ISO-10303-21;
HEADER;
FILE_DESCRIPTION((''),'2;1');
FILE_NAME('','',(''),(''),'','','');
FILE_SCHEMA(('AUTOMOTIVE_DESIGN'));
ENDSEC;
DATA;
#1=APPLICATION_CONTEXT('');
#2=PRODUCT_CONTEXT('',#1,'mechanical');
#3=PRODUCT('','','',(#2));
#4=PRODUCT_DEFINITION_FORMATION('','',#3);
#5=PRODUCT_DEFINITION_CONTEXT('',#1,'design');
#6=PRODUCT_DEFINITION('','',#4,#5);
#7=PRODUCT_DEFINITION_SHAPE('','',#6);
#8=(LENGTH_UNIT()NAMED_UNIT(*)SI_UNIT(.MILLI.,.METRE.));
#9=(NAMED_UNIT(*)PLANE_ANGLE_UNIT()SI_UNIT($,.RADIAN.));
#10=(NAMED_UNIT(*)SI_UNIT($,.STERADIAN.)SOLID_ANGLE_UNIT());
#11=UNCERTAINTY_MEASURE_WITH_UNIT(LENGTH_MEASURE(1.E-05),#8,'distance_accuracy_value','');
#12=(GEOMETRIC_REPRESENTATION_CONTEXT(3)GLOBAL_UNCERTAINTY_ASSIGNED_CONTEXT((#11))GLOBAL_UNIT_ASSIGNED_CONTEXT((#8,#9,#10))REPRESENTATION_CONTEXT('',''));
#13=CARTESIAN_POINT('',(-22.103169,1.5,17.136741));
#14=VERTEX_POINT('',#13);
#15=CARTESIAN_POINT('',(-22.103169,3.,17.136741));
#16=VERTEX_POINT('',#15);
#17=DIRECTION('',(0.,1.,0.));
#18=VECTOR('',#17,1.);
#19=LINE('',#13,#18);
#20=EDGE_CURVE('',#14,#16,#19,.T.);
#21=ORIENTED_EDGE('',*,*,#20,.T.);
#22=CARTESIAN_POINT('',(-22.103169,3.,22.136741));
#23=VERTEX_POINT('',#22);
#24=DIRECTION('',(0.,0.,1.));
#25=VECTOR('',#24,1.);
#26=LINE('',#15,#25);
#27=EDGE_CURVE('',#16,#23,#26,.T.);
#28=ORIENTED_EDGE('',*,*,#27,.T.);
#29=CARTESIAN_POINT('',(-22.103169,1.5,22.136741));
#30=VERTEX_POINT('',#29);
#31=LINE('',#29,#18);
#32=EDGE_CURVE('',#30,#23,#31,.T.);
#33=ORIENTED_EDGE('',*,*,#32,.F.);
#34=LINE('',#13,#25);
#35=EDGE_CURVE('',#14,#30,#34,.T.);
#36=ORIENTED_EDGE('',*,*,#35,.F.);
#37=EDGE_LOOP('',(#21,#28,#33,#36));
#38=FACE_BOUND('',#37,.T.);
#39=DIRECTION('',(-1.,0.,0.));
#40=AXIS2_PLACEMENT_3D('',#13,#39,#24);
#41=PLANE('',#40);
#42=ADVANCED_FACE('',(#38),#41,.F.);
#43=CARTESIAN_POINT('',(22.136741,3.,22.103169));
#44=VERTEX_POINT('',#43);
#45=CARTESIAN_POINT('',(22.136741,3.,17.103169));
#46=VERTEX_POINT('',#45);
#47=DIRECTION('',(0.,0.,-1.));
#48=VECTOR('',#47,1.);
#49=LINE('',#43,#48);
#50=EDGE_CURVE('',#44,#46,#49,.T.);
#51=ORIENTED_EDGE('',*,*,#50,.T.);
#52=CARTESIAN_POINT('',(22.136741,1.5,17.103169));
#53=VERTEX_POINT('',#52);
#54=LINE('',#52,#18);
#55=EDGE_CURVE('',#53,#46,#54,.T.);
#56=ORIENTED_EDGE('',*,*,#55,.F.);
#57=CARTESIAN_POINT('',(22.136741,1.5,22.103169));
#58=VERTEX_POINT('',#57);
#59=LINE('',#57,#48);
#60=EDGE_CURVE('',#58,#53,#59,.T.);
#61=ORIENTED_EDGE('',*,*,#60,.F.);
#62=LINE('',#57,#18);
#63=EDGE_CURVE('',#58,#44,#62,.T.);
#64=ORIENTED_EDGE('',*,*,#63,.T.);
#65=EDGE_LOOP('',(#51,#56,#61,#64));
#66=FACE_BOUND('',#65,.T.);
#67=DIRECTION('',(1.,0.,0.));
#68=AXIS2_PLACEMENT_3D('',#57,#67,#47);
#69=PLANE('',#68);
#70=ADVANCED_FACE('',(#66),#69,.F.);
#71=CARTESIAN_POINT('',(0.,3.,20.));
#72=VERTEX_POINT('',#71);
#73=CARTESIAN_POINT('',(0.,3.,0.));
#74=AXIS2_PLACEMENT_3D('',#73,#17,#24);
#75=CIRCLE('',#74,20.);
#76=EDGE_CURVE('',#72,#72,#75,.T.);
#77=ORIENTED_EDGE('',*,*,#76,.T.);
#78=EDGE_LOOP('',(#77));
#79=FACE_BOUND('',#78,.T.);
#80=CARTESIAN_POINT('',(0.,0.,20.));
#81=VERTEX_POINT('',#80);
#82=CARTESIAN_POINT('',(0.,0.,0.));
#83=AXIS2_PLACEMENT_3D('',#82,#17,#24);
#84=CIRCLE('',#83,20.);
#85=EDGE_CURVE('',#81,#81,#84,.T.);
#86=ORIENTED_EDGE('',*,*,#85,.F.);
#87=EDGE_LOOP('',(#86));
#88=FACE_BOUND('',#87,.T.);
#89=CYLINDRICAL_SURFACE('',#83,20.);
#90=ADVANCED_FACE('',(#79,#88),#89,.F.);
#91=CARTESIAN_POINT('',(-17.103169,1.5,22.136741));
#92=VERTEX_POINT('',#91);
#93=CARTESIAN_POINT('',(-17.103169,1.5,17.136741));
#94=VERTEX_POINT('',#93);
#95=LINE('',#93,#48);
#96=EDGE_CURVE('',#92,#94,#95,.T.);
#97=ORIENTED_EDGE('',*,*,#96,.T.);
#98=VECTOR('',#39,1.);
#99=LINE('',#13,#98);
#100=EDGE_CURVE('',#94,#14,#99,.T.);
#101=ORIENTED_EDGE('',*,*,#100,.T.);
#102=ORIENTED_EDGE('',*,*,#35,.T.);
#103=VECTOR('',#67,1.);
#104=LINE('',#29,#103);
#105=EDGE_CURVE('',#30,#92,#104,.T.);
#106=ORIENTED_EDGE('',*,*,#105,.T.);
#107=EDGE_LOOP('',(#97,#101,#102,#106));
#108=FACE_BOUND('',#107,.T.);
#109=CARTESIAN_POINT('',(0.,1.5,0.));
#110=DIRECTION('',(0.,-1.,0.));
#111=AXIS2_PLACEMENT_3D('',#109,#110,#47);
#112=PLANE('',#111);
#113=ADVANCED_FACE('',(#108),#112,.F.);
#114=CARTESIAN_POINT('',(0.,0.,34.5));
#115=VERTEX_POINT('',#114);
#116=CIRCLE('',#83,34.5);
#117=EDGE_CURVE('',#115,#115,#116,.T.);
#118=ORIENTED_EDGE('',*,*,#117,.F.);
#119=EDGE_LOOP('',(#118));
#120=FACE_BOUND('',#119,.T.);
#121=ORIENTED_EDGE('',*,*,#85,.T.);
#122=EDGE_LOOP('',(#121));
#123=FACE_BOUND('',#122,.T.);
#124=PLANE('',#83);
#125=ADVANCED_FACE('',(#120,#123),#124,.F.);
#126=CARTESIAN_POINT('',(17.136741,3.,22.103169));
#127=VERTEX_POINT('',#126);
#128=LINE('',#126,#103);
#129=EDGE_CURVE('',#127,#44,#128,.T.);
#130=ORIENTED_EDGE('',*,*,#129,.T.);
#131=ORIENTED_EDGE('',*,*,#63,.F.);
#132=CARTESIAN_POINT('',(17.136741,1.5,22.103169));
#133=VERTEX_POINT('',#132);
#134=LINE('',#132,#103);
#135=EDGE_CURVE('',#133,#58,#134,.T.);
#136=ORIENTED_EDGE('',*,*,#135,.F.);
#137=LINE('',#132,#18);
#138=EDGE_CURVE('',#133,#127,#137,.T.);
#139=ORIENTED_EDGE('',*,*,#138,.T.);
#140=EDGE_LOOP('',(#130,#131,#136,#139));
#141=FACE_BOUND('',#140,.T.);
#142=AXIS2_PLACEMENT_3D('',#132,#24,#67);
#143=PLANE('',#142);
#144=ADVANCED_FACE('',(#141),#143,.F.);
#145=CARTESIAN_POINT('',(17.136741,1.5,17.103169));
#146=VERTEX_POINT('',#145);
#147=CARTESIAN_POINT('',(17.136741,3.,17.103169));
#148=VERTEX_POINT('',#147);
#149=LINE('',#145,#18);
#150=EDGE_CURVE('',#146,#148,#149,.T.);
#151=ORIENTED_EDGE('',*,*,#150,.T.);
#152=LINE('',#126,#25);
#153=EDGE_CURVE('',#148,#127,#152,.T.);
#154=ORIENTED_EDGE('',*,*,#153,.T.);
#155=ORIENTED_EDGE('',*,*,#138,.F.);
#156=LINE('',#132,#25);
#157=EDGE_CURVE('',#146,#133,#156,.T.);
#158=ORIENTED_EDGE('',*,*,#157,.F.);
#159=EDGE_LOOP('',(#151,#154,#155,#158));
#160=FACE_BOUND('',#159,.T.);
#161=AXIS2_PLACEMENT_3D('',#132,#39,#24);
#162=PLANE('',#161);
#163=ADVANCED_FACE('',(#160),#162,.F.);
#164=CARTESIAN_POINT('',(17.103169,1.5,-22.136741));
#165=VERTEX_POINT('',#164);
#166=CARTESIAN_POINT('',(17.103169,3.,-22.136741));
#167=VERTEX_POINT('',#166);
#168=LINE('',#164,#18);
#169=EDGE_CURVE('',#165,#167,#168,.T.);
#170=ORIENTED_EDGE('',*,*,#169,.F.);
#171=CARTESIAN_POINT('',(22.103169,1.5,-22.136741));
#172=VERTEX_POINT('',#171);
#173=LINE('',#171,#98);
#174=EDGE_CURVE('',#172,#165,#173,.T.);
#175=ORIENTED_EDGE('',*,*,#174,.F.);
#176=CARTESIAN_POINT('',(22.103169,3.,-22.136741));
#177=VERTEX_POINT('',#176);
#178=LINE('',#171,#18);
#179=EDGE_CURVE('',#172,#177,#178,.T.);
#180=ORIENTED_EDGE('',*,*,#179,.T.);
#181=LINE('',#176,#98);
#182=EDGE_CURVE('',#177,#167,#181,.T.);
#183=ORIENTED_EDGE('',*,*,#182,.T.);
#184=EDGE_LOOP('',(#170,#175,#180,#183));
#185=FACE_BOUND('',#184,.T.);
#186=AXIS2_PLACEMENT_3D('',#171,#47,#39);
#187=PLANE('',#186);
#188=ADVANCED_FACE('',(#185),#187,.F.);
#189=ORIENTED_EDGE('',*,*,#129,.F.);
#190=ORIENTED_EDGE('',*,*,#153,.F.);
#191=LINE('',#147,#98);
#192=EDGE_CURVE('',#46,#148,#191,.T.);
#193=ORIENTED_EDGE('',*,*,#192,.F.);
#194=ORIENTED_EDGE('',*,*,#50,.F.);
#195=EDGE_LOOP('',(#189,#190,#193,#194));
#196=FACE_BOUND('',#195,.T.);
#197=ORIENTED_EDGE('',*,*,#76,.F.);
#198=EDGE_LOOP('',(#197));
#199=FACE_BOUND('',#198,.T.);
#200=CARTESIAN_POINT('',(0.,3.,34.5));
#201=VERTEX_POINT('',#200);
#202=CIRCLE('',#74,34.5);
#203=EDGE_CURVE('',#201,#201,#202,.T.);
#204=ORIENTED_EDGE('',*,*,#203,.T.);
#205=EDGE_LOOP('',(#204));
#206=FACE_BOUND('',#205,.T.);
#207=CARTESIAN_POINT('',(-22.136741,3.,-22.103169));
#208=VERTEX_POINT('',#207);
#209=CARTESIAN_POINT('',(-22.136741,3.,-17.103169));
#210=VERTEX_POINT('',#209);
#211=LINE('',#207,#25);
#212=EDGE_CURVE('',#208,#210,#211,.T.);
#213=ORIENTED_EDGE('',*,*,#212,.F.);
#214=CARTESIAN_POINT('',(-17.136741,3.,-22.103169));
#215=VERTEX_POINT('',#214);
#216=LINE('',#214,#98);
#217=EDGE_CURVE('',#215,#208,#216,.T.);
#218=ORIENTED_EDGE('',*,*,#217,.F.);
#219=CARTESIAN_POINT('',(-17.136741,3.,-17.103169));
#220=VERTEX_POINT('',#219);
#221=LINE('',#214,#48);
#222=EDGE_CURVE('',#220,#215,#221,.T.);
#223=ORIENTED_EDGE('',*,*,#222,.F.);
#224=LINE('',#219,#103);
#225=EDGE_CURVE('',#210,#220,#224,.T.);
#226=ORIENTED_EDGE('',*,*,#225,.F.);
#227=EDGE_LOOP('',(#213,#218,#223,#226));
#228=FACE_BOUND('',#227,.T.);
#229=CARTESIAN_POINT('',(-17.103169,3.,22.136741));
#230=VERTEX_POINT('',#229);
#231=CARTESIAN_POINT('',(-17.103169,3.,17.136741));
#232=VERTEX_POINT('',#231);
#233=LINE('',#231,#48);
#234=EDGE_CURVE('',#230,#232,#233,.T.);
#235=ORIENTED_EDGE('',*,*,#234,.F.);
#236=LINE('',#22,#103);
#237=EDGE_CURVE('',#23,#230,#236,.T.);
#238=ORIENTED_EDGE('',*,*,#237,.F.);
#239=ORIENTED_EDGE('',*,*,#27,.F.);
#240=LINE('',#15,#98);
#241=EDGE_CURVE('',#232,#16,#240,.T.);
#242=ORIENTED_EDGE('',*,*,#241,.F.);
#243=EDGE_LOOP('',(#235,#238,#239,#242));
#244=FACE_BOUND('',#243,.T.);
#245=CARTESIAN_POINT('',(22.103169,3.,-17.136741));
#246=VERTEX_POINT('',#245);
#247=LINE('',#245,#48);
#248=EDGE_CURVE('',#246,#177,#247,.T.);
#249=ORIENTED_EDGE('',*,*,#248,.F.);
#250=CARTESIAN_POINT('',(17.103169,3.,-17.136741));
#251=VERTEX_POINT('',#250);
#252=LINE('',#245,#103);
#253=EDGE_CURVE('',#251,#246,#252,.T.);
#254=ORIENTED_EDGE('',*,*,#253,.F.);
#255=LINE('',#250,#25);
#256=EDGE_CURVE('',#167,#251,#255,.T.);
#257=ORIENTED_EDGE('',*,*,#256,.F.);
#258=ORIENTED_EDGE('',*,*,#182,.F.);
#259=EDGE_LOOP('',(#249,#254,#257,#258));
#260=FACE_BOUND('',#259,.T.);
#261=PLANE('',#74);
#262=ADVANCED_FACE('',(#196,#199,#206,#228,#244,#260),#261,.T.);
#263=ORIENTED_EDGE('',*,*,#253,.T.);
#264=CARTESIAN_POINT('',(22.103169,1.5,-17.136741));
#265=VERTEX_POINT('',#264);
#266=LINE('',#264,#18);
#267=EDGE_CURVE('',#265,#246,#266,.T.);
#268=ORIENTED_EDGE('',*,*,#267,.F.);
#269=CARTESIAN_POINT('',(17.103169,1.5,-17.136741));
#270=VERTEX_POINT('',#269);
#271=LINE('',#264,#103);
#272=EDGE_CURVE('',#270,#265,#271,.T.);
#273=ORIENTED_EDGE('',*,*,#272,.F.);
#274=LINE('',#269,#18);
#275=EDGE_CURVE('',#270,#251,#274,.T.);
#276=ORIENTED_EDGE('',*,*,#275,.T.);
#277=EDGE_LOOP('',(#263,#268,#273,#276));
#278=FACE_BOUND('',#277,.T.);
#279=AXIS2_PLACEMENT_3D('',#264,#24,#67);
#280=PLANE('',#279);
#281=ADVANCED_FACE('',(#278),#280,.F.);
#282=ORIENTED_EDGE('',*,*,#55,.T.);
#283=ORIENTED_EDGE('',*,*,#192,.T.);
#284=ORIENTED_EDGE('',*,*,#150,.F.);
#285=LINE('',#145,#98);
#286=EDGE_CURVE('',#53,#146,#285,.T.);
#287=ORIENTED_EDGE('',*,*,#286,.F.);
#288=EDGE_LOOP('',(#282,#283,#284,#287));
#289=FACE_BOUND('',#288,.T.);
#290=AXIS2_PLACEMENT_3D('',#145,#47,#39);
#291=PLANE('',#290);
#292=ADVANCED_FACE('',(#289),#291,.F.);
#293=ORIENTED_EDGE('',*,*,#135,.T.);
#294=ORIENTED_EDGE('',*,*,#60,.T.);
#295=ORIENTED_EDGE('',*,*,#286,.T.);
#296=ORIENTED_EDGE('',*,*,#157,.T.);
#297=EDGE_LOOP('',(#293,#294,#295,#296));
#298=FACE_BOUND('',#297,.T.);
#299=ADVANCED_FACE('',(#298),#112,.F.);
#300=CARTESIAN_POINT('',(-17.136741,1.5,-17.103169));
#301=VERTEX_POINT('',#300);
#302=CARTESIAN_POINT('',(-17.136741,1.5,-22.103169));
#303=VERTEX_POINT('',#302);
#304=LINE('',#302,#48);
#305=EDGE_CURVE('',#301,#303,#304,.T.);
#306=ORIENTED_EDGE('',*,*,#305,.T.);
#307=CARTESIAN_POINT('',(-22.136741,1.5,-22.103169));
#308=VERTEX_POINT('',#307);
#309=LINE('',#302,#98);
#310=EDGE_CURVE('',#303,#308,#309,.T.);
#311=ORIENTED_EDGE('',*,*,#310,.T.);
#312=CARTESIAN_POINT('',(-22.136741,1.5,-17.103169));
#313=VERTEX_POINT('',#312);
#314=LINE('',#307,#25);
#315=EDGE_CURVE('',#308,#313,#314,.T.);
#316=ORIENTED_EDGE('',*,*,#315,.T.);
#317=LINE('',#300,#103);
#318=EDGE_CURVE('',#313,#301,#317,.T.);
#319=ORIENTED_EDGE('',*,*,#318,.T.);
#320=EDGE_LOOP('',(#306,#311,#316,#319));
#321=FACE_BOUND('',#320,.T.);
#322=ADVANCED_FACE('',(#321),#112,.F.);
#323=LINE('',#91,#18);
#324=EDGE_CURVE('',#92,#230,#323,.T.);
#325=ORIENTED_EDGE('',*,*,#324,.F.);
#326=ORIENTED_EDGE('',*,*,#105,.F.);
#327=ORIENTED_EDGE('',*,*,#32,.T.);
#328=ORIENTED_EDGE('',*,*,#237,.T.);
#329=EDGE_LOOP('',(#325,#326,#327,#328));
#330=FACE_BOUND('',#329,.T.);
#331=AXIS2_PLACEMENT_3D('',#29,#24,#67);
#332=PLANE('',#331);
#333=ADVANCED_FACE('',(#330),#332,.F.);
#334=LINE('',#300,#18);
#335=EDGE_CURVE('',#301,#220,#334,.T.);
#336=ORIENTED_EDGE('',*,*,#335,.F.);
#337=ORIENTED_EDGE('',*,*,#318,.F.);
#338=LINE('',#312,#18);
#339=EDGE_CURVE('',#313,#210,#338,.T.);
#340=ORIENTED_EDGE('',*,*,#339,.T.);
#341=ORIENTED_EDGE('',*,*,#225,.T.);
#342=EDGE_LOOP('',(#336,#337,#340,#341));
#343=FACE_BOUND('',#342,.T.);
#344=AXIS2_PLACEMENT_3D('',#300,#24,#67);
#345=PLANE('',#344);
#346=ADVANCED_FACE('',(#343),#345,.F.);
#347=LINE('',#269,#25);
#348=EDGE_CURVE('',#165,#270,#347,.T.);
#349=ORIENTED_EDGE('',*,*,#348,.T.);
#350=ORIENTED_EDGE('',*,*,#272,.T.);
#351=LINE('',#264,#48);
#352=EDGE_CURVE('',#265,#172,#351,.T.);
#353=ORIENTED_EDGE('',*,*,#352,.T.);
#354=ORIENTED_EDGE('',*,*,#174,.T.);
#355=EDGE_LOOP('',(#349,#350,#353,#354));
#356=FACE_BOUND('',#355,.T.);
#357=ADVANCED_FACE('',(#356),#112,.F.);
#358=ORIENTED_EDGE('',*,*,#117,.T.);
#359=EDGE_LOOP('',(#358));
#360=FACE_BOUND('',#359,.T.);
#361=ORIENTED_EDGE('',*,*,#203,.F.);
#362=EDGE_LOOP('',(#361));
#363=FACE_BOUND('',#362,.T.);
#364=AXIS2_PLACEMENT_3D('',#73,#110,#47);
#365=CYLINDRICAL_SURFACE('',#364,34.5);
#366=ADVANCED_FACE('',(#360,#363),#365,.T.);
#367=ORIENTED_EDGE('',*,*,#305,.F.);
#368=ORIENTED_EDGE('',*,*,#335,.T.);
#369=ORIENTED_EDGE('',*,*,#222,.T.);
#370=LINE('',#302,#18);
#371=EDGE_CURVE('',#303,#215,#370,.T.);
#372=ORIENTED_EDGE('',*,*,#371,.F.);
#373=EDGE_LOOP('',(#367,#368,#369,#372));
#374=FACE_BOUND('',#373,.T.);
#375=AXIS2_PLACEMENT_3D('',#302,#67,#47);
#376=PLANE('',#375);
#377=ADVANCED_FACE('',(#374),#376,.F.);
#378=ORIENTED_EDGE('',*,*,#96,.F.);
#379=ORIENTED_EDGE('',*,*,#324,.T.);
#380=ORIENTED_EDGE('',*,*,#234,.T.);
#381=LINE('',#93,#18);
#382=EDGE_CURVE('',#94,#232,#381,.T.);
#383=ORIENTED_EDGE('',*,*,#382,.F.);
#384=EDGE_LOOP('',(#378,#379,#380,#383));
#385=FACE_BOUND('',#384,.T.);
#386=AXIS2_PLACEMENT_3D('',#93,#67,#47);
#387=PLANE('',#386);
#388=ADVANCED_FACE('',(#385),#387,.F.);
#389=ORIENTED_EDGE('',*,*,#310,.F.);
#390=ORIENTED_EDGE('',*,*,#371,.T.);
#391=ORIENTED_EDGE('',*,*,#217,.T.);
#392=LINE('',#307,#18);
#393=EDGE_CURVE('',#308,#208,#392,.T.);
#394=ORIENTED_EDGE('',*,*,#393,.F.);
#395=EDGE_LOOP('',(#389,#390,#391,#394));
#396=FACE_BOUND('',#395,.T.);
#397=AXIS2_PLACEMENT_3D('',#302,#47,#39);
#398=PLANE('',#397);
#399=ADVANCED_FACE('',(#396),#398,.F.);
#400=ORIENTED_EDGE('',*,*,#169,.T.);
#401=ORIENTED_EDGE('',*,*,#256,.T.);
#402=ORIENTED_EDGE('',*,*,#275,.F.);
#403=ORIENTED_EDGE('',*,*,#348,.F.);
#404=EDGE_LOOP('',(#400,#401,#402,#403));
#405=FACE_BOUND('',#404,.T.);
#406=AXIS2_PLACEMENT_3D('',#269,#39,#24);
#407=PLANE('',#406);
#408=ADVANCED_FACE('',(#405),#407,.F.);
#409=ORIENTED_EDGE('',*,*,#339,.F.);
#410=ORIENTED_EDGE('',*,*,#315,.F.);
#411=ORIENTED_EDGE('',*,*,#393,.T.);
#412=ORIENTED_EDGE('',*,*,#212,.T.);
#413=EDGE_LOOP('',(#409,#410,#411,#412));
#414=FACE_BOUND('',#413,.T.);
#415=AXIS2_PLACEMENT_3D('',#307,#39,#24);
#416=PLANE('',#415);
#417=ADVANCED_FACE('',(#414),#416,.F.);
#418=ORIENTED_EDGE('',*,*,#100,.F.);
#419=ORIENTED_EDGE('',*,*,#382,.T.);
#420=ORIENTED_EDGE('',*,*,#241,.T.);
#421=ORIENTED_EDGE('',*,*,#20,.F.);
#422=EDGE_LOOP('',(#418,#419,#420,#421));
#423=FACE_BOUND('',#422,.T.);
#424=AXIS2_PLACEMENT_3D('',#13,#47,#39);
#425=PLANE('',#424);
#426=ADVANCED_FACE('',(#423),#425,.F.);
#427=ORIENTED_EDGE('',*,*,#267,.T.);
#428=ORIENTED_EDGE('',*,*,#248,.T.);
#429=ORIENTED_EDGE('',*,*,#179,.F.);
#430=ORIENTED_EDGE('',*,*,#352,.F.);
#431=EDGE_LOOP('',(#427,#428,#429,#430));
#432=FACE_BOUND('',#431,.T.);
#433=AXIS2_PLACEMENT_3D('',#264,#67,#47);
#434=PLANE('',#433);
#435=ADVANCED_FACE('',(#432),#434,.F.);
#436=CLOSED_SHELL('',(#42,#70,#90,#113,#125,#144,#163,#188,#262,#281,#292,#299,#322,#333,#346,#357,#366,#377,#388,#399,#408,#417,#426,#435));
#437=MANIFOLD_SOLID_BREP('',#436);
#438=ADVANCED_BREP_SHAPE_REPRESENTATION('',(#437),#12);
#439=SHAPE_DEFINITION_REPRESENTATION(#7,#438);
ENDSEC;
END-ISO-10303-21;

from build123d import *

# Parameters (mm, degrees)
SKETCH1_R           = 34.5
BOSS_EXTRUDE1_DEPTH = 3
SKETCH4_R           = 20
CUT_EXTRUDE2_DEPTH  = 49.88251221
SKETCH5_W           = 5
SKETCH5_H           = 5
CUT_EXTRUDE3_DEPTH  = 1.5


with BuildPart() as part:
    # Sketch1 → Boss-Extrude1 (new body)
    with BuildSketch(Plane(origin=(0, 0, 0), x_dir=(1, 0, 0), z_dir=(0, 1, 0))):
        with Locations(Location((0, 0, 0), (0, 0, 270))):
            Circle(SKETCH1_R)
    extrude(amount=BOSS_EXTRUDE1_DEPTH)

    # Sketch4 → Cut-Extrude2 (cut, through all)
    with BuildSketch(Plane(origin=(0, 3, 0), x_dir=(1, 0, 0), z_dir=(0, 1, 0))):
        with Locations(Location((0, 0, 0), (0, 0, 270))):
            Circle(SKETCH4_R)
    extrude(amount=-CUT_EXTRUDE2_DEPTH, mode=Mode.SUBTRACT)

    # Sketch5 → Cut-Extrude3 (cut)
    with BuildSketch(Plane(origin=(0, 3, 0), x_dir=(1, 0, 0), z_dir=(0, 1, 0))):
        with Locations((19.603168608, 19.636741271)):
            Rectangle(SKETCH5_W, SKETCH5_H)
        with Locations((-19.636741271, 19.603168608)):
            Rectangle(SKETCH5_W, SKETCH5_H)
        with Locations((19.636741271, -19.603168608)):
            Rectangle(SKETCH5_W, SKETCH5_H)
        with Locations((-19.603168608, -19.636741271)):
            Rectangle(SKETCH5_W, SKETCH5_H)
    extrude(amount=-CUT_EXTRUDE3_DEPTH, mode=Mode.SUBTRACT)


solid = part.part
